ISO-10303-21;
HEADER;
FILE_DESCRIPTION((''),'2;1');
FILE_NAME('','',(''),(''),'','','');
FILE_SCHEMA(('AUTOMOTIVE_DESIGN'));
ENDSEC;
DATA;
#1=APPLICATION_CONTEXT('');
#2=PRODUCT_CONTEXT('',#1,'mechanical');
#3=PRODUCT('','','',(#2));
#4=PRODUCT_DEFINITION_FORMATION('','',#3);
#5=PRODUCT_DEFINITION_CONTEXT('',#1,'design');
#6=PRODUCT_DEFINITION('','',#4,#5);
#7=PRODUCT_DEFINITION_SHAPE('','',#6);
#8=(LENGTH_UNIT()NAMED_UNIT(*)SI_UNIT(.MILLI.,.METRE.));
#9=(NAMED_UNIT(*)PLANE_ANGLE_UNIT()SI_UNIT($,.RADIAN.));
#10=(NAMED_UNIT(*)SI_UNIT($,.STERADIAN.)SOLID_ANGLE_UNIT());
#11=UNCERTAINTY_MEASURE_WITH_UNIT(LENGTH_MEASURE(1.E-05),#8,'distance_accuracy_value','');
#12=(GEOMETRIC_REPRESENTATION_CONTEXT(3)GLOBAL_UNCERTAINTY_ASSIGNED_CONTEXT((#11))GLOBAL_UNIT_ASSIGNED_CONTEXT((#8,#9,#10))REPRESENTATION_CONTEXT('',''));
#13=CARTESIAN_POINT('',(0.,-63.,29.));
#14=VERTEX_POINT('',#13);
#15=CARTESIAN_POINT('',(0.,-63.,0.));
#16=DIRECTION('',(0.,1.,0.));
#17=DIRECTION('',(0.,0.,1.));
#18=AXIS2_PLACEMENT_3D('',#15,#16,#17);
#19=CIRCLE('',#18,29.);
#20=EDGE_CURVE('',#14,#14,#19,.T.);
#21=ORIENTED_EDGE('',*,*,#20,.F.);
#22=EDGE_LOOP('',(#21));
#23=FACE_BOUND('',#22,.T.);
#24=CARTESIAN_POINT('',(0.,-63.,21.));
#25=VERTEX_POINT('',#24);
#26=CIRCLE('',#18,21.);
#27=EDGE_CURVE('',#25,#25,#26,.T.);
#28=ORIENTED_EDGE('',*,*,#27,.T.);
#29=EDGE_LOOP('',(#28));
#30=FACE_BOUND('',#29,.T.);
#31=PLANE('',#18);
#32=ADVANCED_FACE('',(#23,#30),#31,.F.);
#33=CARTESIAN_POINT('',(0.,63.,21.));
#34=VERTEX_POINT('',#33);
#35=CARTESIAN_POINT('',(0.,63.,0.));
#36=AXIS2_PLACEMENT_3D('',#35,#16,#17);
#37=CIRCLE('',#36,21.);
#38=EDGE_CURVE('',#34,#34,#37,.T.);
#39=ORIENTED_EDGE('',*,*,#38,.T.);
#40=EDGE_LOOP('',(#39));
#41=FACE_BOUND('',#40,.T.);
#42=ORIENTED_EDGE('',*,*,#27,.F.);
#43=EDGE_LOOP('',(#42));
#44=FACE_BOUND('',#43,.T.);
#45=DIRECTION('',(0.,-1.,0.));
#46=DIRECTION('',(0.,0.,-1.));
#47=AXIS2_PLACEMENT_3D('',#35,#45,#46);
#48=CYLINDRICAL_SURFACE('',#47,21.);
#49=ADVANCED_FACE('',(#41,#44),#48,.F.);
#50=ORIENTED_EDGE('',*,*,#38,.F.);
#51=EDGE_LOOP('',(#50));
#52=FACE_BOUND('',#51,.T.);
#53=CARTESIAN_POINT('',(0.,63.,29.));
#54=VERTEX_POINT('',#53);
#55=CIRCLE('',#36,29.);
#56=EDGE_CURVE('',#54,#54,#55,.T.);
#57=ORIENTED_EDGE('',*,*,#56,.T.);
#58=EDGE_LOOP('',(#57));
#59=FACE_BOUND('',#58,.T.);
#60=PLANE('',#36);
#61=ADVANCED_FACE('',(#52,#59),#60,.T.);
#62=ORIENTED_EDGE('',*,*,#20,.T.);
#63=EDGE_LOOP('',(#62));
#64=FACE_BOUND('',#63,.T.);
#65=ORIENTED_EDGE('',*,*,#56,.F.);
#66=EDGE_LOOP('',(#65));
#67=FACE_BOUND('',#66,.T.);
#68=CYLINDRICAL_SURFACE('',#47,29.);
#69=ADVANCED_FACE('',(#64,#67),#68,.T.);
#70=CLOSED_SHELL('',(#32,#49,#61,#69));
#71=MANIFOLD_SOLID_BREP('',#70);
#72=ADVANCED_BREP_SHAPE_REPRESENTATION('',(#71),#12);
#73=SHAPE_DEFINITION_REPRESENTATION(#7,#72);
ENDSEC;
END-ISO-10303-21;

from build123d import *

# Parameters (mm, degrees)
ESBO_O1_R                = 29
ESBO_O1_R_2              = 21
RESSALTO_EXTRUS_O1_DEPTH = 63


with BuildPart() as part:
    # Esboço1 → Ressalto-extrusão1 (new body, symmetric)
    with BuildSketch(Plane(origin=(0, 0, 0), x_dir=(1, 0, 0), z_dir=(0, 1, 0))):
        with Locations(Location((0, 0, 0), (0, 0, 270))):  # turned: the seam where the file's is
            Circle(ESBO_O1_R)
        with Locations(Location((0, 0, 0), (0, 0, 270))):  # turned: the seam where the file's is
            Circle(ESBO_O1_R_2, mode=Mode.SUBTRACT)
    extrude(amount=RESSALTO_EXTRUS_O1_DEPTH, both=True)


solid = part.part
